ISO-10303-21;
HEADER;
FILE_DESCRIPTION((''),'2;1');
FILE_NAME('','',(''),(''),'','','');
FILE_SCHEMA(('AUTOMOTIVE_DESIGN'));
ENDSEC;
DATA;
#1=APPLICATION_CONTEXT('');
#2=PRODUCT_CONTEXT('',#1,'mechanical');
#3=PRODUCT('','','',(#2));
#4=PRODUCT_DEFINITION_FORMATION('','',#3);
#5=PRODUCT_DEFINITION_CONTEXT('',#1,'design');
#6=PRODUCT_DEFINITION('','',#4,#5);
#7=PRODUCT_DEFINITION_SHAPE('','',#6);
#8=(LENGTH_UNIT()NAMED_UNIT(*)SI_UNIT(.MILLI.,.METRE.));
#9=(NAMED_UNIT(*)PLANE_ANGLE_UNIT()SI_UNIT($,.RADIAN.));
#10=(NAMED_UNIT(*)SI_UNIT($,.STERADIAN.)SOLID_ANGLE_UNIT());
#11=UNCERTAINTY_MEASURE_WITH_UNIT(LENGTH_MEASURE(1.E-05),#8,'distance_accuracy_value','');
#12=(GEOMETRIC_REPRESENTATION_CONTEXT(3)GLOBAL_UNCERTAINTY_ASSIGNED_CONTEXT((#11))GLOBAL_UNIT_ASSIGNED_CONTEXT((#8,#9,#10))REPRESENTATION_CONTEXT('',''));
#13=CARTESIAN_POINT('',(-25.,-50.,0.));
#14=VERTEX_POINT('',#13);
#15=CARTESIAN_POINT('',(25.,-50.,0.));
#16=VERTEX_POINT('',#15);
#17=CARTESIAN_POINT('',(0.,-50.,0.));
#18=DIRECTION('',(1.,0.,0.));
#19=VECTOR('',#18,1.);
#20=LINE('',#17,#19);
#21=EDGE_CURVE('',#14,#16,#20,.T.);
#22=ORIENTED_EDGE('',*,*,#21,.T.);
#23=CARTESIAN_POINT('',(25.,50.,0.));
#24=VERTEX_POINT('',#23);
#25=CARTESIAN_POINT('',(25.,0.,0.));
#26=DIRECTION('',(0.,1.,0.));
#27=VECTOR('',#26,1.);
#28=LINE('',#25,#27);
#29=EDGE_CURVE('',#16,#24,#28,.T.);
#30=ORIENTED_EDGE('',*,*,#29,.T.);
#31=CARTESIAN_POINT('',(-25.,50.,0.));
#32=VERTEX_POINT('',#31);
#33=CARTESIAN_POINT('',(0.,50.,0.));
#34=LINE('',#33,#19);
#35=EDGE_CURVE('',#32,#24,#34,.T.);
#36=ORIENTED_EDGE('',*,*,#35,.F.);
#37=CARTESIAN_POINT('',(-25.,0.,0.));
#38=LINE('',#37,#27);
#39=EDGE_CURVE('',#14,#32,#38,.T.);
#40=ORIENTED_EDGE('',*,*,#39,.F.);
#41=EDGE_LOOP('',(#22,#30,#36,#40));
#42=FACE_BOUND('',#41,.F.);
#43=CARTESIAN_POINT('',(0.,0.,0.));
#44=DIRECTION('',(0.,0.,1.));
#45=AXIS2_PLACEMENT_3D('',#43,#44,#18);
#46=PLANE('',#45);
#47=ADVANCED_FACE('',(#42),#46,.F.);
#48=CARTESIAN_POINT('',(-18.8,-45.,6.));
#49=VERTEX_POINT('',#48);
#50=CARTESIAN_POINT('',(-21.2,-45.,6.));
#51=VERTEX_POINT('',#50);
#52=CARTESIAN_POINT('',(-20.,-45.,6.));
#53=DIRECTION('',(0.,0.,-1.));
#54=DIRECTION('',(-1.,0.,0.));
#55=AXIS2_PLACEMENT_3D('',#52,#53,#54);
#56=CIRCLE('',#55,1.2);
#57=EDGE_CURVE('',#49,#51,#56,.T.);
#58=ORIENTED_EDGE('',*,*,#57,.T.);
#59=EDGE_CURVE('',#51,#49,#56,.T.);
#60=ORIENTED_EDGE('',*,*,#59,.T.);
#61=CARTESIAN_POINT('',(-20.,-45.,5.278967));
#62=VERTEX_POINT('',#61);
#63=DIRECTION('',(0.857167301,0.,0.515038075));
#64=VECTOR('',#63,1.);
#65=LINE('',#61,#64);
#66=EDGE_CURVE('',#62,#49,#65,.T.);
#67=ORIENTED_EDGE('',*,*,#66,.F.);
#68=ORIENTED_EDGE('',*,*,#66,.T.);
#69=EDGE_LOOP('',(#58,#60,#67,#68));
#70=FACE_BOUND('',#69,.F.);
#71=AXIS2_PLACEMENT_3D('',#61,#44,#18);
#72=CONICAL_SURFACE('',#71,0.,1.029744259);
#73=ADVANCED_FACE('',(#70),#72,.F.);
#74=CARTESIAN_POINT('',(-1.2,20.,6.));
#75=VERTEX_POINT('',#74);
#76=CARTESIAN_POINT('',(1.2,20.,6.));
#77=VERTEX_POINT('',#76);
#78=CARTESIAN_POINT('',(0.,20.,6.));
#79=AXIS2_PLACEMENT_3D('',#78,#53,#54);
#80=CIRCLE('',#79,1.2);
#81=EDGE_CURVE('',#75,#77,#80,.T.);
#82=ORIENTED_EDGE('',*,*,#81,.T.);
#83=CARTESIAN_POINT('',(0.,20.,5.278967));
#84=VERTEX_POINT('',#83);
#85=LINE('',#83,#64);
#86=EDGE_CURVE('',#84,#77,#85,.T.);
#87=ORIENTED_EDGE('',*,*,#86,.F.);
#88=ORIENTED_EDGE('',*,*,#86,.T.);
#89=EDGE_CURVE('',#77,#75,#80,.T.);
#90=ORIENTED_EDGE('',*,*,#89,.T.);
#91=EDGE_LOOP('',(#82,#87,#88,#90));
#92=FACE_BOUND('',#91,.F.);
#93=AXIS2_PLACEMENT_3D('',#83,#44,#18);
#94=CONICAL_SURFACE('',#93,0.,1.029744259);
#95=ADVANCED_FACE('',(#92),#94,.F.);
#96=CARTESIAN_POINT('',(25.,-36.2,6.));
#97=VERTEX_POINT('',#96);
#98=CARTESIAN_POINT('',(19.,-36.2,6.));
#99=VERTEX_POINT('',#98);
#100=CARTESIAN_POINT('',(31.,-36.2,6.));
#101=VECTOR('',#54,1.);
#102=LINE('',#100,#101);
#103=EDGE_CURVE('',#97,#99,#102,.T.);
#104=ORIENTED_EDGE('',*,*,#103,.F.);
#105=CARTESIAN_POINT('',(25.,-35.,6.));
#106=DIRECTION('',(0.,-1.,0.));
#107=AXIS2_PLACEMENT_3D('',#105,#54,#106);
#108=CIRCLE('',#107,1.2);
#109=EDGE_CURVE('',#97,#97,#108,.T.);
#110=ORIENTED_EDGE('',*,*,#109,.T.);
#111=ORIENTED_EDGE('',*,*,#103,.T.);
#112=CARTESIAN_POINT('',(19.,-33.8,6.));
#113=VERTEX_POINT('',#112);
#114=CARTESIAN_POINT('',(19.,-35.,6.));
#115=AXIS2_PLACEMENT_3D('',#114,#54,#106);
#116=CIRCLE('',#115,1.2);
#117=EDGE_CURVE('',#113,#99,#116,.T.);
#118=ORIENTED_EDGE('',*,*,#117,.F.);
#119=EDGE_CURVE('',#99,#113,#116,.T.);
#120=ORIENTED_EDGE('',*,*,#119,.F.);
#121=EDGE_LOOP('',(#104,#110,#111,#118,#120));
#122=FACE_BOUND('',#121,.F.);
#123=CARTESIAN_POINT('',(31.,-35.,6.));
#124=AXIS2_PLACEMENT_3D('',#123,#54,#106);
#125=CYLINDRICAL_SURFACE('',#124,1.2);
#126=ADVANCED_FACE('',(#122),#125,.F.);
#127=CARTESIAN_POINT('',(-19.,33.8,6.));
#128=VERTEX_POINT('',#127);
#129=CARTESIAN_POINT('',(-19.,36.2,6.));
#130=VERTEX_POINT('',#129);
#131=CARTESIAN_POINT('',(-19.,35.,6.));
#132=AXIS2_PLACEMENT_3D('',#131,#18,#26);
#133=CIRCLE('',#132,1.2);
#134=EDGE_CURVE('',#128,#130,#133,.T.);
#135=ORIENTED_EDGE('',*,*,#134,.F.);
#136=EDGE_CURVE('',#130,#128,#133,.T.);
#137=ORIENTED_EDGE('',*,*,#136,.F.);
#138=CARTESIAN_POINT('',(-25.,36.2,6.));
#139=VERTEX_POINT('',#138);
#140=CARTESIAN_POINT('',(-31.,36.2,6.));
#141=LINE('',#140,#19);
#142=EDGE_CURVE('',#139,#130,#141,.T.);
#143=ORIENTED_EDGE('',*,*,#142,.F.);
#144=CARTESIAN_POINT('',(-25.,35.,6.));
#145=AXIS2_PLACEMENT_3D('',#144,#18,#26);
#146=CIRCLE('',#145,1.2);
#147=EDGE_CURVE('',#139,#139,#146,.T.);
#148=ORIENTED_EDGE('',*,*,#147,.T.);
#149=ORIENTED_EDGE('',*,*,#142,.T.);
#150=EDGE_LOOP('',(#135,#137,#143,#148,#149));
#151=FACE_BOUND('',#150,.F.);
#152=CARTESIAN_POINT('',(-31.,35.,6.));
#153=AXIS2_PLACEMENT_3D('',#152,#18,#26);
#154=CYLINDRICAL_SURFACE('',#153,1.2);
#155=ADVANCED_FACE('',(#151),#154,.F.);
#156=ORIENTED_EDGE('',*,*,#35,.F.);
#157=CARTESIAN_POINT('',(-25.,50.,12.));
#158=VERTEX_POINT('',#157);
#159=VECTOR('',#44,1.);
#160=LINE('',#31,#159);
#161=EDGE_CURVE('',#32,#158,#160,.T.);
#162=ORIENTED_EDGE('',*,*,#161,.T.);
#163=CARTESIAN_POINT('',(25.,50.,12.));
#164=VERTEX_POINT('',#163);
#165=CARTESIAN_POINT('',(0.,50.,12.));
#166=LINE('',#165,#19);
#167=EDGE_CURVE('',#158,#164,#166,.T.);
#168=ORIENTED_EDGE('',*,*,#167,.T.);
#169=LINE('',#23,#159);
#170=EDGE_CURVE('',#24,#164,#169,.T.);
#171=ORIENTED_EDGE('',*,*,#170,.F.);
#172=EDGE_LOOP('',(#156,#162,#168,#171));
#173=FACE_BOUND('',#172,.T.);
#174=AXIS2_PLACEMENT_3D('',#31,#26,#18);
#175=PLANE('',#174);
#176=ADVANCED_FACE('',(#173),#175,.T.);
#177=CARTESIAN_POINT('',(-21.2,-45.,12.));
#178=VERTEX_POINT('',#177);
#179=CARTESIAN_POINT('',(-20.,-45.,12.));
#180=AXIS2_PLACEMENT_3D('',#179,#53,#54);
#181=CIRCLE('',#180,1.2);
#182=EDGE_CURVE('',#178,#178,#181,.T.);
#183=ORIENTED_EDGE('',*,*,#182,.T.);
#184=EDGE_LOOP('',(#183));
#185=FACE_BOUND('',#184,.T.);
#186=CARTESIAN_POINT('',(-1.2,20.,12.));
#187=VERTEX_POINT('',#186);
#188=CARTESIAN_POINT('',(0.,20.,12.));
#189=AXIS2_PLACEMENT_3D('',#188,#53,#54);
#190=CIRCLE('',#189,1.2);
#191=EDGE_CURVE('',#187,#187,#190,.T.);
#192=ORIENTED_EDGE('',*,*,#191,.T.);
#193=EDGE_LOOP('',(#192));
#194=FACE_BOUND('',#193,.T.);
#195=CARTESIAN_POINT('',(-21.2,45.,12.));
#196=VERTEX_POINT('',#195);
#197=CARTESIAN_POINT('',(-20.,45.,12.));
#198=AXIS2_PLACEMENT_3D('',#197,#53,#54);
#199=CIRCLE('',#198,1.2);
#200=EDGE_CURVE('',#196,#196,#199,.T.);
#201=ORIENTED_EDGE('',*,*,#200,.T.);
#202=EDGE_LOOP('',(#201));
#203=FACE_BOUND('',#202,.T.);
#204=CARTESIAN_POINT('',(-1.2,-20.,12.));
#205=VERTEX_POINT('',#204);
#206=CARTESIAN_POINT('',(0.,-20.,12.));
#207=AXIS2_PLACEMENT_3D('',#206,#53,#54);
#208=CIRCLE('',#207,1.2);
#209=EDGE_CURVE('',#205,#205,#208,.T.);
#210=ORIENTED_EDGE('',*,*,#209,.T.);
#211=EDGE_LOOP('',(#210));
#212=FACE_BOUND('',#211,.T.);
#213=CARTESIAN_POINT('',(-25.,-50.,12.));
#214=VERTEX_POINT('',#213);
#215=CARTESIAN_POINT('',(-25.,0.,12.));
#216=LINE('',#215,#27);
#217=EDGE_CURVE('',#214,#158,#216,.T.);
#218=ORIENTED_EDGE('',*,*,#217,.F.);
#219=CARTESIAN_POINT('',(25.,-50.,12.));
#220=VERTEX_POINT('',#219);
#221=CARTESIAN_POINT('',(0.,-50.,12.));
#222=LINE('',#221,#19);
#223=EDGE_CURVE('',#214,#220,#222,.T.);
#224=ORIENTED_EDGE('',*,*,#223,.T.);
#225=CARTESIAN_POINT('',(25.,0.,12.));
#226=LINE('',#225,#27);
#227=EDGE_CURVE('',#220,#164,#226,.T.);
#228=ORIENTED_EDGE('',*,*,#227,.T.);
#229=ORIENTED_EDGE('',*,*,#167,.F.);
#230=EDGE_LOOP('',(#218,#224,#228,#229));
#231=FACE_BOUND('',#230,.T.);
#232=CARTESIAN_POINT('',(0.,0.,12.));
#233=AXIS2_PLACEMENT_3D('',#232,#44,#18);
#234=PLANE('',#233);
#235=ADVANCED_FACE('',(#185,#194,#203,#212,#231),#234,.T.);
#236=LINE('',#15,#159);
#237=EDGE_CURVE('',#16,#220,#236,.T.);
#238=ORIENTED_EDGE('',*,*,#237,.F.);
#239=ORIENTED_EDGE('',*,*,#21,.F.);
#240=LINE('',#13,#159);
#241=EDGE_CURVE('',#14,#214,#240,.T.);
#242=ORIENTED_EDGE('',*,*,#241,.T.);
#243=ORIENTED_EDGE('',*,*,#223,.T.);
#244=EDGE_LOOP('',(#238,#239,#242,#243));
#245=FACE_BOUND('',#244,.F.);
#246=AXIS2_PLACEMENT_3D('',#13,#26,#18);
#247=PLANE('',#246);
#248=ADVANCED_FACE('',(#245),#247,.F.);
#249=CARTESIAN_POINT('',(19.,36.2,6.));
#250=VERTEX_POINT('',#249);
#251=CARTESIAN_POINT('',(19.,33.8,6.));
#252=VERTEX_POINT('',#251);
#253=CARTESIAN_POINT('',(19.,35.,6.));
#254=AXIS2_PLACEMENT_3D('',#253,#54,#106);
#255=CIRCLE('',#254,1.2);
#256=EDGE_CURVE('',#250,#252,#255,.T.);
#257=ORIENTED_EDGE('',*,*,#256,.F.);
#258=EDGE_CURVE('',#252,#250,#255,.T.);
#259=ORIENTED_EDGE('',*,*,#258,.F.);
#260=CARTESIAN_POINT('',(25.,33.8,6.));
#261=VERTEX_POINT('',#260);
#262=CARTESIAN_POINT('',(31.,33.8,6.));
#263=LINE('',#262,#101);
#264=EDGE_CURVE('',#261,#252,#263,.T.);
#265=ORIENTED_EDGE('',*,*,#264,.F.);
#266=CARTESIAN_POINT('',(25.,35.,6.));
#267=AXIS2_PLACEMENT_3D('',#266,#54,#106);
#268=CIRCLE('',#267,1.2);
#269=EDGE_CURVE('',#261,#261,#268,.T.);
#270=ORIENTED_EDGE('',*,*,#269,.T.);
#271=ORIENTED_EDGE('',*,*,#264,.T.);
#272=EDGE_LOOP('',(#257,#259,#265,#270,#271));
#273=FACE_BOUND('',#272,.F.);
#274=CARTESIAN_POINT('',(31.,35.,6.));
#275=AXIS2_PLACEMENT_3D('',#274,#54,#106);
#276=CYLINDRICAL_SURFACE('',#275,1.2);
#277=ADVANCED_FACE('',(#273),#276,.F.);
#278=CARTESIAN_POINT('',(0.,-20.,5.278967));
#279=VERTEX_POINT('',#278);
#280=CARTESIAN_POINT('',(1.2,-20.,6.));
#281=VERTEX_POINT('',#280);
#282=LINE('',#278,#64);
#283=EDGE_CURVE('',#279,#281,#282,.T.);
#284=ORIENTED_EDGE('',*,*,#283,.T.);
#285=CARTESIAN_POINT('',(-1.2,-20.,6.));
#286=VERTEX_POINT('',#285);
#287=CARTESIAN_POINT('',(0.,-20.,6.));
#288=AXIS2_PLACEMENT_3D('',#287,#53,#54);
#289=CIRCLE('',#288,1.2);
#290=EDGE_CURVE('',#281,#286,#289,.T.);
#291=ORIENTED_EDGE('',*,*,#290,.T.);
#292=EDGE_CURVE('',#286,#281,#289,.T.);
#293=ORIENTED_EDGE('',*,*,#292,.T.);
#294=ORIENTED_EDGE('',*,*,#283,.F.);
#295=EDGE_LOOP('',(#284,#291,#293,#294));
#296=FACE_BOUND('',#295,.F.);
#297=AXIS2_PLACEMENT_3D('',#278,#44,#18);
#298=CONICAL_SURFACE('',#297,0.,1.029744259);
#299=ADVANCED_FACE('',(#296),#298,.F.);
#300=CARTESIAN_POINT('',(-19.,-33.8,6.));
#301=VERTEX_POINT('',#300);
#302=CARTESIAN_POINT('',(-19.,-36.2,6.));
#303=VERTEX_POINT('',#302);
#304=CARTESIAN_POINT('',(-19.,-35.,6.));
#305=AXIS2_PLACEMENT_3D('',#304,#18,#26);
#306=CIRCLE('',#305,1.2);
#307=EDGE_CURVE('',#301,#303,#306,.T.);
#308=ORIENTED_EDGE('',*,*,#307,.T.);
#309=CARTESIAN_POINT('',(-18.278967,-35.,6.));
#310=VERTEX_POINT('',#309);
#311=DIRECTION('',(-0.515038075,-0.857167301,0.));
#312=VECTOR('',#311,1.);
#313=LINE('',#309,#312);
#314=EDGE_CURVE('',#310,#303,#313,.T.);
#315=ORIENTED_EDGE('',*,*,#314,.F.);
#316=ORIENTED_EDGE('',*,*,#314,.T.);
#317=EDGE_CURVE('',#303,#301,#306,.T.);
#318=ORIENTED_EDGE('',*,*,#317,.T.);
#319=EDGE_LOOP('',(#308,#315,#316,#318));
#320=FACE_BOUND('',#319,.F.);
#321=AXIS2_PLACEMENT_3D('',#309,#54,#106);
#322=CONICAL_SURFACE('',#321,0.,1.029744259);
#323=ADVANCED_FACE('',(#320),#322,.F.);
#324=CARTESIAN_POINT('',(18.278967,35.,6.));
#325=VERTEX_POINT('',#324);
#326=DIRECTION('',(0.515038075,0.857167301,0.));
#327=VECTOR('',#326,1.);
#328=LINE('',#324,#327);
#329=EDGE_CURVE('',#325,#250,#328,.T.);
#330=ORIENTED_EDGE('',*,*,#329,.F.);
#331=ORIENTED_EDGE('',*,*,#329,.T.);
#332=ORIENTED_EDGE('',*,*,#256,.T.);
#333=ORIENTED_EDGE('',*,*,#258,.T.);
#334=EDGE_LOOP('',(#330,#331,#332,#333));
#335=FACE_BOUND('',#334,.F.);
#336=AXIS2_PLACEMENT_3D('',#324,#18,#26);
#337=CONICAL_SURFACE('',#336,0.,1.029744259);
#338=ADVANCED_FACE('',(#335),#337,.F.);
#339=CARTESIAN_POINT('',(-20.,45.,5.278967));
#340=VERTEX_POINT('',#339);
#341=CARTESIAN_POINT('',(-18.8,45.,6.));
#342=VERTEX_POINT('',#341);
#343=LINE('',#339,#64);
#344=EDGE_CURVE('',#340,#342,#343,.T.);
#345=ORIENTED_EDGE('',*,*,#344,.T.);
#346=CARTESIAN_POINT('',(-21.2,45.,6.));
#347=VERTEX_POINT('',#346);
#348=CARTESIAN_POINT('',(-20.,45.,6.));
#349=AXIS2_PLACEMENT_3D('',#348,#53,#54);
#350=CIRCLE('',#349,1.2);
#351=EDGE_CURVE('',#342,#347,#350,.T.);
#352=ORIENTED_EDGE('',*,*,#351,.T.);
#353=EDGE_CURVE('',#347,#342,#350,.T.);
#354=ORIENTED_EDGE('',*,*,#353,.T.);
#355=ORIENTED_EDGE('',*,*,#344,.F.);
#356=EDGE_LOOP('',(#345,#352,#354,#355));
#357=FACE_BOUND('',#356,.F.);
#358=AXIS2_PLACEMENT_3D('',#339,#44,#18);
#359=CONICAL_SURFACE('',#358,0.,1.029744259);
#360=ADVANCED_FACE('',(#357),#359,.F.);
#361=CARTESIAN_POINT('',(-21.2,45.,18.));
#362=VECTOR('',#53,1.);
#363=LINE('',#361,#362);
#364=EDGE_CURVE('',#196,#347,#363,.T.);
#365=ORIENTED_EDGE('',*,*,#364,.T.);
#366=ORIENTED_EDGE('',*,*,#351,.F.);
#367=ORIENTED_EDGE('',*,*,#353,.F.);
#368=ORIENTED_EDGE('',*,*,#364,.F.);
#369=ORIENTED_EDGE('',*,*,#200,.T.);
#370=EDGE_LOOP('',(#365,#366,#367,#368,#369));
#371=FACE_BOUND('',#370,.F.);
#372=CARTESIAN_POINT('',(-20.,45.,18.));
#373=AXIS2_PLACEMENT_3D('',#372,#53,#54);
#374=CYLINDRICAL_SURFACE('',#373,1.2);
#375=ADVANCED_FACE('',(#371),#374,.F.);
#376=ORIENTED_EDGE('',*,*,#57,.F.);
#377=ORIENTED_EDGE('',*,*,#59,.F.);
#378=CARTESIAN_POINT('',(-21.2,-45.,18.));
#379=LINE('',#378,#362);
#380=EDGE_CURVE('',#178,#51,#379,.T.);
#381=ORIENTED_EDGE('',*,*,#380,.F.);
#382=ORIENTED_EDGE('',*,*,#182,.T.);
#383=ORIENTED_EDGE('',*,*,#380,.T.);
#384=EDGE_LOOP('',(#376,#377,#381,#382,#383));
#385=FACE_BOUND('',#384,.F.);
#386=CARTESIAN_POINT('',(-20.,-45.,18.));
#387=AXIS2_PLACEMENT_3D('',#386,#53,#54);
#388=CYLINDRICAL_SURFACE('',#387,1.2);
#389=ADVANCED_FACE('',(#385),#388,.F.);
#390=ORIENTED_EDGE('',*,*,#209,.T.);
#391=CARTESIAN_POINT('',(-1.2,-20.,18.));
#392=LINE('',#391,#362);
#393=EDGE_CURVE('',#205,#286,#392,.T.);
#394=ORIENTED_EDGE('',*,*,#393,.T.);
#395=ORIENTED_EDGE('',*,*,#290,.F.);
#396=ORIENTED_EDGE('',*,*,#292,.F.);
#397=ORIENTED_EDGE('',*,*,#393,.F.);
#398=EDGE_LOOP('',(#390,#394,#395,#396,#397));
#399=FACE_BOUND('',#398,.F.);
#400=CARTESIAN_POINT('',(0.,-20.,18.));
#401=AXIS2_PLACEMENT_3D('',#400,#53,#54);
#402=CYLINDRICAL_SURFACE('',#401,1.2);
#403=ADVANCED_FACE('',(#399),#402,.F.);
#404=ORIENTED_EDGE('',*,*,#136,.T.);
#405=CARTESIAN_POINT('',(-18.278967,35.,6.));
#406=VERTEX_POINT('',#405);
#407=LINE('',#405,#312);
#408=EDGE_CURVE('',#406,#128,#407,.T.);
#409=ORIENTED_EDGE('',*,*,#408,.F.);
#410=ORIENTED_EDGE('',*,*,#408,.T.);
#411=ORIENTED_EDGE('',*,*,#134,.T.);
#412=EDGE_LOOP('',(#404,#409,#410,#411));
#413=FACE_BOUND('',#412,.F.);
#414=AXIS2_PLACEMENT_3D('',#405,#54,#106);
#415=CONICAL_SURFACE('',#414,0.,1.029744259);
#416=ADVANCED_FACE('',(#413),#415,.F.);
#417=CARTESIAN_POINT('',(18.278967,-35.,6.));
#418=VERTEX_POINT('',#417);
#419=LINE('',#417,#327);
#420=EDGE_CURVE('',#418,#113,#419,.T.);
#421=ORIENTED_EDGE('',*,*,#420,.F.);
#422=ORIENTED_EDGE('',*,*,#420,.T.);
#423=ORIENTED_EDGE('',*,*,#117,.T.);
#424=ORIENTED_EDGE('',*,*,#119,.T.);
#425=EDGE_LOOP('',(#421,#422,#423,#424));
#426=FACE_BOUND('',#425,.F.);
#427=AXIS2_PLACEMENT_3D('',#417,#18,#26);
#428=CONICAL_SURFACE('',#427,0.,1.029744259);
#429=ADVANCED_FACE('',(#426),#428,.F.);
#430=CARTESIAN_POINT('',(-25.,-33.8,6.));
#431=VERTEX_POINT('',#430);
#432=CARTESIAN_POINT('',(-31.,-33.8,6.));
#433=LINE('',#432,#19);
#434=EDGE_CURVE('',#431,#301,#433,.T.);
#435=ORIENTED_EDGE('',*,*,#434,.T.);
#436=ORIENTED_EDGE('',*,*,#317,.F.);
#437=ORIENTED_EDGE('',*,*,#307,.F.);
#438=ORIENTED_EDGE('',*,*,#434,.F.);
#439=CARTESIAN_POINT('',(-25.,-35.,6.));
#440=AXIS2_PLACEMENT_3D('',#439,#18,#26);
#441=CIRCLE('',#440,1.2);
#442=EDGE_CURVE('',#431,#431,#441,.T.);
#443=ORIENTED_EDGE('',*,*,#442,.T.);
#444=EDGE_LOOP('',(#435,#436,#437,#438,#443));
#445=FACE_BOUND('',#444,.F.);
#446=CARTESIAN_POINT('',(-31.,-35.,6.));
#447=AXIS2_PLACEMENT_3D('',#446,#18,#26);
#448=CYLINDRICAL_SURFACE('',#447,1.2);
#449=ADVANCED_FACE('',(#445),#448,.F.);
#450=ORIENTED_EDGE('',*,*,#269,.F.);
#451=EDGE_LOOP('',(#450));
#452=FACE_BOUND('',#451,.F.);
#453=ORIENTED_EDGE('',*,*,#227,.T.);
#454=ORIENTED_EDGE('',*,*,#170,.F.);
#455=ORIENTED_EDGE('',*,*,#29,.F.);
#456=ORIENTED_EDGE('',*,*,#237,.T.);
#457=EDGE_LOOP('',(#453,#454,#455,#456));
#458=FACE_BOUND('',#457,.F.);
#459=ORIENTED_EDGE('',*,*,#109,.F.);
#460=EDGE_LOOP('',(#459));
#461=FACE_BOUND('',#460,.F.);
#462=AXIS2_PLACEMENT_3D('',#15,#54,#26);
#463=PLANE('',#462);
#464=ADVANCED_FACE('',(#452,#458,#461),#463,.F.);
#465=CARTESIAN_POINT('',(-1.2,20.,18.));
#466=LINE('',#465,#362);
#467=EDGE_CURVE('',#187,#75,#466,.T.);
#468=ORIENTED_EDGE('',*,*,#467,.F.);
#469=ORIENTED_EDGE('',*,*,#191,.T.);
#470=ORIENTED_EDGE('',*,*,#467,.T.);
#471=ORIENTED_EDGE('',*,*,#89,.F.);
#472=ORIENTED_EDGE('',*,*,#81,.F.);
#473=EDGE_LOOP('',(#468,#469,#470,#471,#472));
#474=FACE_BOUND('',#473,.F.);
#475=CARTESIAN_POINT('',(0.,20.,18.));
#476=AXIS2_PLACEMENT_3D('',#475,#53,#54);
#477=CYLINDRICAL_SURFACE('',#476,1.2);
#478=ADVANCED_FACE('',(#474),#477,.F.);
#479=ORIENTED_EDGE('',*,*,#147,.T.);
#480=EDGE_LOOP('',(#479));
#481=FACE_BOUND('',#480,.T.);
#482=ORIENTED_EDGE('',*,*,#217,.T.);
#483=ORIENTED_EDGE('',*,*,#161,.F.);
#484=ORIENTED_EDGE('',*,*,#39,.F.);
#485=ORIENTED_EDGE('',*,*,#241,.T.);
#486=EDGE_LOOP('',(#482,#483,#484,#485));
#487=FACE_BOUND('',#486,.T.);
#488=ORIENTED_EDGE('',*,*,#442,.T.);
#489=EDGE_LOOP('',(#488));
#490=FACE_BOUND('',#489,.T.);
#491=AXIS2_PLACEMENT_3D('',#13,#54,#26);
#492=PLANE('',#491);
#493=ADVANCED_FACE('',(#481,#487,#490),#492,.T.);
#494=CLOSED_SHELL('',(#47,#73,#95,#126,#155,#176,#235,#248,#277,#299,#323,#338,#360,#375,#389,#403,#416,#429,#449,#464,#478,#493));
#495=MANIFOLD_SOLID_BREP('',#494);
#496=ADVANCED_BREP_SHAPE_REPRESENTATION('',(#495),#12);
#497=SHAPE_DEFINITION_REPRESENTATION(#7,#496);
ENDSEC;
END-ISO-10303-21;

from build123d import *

# Parameters (mm, degrees)
F0_W     = 50
F0_H     = 100
F1_DEPTH = 12
F3_D     = 2.4
F3_DEPTH = 6
F3_TIP   = 0.7210327428
F5_D     = 2.4
F5_DEPTH = 6
F5_TIP   = 0.7210327428
F7_D     = 2.4
F7_DEPTH = 6
F7_TIP   = 0.7210327428
F9_D     = 2.4
F9_DEPTH = 6
F9_TIP   = 0.7210327428


with BuildPart() as f1:
    # F0 (on Top) → F1 (new body)
    with BuildSketch(Plane.XY):
        Rectangle(F0_W, F0_H)
    extrude(amount=F1_DEPTH)

    # F3
    with Locations(Plane.XY.offset(12)):
        with Locations((0, 20), (0, -20)):
            Hole(F3_D / 2, depth=F3_DEPTH)
            with Locations((0, 0, -(F3_DEPTH + F3_TIP / 2))):  # 118° drill point
                Cone(0, F3_D / 2, F3_TIP, mode=Mode.SUBTRACT)

    # F5
    with Locations(Plane.YZ.offset(25)):
        with Locations((-35, 6), (35, 6)):
            Hole(F5_D / 2, depth=F5_DEPTH)
            with Locations((0, 0, -(F5_DEPTH + F5_TIP / 2))):  # 118° drill point
                Cone(0, F5_D / 2, F5_TIP, mode=Mode.SUBTRACT)

    # F7
    with Locations(Plane(origin=(-25, 0, 0), x_dir=(0, -1, 0), z_dir=(-1, 0, 0))):
        with Locations((-35, 6), (35, 6)):
            Hole(F7_D / 2, depth=F7_DEPTH)
            with Locations((0, 0, -(F7_DEPTH + F7_TIP / 2))):  # 118° drill point
                Cone(0, F7_D / 2, F7_TIP, mode=Mode.SUBTRACT)

    # F9
    with Locations(Plane.XY.offset(12)):
        with Locations((-20, -45), (-20, 45)):
            Hole(F9_D / 2, depth=F9_DEPTH)
            with Locations((0, 0, -(F9_DEPTH + F9_TIP / 2))):  # 118° drill point
                Cone(0, F9_D / 2, F9_TIP, mode=Mode.SUBTRACT)


solid = f1.part
